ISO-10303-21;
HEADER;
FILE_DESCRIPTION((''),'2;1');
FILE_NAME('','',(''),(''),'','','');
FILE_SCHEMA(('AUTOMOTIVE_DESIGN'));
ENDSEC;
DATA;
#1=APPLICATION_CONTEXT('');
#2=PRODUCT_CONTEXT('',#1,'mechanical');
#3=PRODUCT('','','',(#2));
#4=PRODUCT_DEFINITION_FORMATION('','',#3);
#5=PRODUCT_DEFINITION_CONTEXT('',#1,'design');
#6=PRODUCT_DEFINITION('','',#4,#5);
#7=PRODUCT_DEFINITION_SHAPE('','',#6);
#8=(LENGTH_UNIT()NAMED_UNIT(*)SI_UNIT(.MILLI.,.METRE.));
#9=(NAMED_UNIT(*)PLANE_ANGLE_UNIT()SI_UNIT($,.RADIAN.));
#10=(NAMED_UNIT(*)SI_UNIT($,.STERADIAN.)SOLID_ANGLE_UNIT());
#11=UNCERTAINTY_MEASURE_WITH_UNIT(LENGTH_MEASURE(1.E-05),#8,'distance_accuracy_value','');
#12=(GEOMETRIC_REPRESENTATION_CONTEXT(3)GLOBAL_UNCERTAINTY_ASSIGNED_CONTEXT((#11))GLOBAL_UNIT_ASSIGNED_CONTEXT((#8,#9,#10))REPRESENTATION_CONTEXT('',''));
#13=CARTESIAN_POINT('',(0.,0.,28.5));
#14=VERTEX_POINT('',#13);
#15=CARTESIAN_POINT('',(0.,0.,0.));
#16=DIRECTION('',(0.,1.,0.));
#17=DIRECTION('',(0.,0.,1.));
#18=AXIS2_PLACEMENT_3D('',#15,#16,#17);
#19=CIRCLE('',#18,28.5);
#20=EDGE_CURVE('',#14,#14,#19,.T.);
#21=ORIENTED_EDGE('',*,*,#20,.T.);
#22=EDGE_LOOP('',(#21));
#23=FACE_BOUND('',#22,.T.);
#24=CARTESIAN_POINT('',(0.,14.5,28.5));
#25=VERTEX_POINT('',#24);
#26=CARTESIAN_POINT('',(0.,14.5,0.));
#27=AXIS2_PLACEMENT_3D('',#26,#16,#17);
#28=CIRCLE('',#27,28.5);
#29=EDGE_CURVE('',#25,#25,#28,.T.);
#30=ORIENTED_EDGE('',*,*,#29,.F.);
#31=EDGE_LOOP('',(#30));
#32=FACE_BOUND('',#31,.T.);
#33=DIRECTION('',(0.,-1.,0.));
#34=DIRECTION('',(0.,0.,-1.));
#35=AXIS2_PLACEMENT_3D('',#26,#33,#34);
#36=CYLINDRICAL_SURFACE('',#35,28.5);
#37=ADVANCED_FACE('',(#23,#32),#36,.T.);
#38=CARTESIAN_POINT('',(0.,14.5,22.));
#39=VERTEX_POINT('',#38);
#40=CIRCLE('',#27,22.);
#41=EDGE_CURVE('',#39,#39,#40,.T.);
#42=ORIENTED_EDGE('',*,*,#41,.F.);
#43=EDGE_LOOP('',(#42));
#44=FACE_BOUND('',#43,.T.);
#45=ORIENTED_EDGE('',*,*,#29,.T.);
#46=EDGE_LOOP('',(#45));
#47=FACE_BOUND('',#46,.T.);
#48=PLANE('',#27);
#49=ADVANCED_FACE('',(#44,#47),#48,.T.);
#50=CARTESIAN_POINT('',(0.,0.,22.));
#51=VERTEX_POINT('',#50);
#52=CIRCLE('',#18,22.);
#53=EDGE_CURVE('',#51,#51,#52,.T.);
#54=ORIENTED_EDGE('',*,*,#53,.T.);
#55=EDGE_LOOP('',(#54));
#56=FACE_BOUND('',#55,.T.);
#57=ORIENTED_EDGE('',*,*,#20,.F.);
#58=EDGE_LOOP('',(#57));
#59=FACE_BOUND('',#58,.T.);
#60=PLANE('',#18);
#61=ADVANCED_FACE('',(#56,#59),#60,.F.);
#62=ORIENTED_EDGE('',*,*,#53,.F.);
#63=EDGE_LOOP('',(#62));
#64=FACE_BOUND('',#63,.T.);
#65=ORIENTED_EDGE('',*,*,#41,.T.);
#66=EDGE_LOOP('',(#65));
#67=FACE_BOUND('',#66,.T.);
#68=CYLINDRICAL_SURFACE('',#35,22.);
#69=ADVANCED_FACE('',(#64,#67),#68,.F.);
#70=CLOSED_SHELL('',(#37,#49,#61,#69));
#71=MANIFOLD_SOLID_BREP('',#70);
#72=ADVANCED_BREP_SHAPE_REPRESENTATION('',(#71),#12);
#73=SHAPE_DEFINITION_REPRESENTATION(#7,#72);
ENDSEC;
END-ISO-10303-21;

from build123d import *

# Parameters (mm, degrees)
SKETCH1_R           = 28.5
SKETCH1_R_2         = 22
BOSS_EXTRUDE1_DEPTH = 14.5


with BuildPart() as part:
    # Sketch1 → Boss-Extrude1 (new body)
    with BuildSketch(Plane(origin=(0, 0, 0), x_dir=(1, 0, 0), z_dir=(0, 1, 0))):
        with Locations(Location((0, 0, 0), (0, 0, 270))):
            Circle(SKETCH1_R)
        with Locations(Location((0, 0, 0), (0, 0, 270))):
            Circle(SKETCH1_R_2, mode=Mode.SUBTRACT)
    extrude(amount=BOSS_EXTRUDE1_DEPTH)


solid = part.part
